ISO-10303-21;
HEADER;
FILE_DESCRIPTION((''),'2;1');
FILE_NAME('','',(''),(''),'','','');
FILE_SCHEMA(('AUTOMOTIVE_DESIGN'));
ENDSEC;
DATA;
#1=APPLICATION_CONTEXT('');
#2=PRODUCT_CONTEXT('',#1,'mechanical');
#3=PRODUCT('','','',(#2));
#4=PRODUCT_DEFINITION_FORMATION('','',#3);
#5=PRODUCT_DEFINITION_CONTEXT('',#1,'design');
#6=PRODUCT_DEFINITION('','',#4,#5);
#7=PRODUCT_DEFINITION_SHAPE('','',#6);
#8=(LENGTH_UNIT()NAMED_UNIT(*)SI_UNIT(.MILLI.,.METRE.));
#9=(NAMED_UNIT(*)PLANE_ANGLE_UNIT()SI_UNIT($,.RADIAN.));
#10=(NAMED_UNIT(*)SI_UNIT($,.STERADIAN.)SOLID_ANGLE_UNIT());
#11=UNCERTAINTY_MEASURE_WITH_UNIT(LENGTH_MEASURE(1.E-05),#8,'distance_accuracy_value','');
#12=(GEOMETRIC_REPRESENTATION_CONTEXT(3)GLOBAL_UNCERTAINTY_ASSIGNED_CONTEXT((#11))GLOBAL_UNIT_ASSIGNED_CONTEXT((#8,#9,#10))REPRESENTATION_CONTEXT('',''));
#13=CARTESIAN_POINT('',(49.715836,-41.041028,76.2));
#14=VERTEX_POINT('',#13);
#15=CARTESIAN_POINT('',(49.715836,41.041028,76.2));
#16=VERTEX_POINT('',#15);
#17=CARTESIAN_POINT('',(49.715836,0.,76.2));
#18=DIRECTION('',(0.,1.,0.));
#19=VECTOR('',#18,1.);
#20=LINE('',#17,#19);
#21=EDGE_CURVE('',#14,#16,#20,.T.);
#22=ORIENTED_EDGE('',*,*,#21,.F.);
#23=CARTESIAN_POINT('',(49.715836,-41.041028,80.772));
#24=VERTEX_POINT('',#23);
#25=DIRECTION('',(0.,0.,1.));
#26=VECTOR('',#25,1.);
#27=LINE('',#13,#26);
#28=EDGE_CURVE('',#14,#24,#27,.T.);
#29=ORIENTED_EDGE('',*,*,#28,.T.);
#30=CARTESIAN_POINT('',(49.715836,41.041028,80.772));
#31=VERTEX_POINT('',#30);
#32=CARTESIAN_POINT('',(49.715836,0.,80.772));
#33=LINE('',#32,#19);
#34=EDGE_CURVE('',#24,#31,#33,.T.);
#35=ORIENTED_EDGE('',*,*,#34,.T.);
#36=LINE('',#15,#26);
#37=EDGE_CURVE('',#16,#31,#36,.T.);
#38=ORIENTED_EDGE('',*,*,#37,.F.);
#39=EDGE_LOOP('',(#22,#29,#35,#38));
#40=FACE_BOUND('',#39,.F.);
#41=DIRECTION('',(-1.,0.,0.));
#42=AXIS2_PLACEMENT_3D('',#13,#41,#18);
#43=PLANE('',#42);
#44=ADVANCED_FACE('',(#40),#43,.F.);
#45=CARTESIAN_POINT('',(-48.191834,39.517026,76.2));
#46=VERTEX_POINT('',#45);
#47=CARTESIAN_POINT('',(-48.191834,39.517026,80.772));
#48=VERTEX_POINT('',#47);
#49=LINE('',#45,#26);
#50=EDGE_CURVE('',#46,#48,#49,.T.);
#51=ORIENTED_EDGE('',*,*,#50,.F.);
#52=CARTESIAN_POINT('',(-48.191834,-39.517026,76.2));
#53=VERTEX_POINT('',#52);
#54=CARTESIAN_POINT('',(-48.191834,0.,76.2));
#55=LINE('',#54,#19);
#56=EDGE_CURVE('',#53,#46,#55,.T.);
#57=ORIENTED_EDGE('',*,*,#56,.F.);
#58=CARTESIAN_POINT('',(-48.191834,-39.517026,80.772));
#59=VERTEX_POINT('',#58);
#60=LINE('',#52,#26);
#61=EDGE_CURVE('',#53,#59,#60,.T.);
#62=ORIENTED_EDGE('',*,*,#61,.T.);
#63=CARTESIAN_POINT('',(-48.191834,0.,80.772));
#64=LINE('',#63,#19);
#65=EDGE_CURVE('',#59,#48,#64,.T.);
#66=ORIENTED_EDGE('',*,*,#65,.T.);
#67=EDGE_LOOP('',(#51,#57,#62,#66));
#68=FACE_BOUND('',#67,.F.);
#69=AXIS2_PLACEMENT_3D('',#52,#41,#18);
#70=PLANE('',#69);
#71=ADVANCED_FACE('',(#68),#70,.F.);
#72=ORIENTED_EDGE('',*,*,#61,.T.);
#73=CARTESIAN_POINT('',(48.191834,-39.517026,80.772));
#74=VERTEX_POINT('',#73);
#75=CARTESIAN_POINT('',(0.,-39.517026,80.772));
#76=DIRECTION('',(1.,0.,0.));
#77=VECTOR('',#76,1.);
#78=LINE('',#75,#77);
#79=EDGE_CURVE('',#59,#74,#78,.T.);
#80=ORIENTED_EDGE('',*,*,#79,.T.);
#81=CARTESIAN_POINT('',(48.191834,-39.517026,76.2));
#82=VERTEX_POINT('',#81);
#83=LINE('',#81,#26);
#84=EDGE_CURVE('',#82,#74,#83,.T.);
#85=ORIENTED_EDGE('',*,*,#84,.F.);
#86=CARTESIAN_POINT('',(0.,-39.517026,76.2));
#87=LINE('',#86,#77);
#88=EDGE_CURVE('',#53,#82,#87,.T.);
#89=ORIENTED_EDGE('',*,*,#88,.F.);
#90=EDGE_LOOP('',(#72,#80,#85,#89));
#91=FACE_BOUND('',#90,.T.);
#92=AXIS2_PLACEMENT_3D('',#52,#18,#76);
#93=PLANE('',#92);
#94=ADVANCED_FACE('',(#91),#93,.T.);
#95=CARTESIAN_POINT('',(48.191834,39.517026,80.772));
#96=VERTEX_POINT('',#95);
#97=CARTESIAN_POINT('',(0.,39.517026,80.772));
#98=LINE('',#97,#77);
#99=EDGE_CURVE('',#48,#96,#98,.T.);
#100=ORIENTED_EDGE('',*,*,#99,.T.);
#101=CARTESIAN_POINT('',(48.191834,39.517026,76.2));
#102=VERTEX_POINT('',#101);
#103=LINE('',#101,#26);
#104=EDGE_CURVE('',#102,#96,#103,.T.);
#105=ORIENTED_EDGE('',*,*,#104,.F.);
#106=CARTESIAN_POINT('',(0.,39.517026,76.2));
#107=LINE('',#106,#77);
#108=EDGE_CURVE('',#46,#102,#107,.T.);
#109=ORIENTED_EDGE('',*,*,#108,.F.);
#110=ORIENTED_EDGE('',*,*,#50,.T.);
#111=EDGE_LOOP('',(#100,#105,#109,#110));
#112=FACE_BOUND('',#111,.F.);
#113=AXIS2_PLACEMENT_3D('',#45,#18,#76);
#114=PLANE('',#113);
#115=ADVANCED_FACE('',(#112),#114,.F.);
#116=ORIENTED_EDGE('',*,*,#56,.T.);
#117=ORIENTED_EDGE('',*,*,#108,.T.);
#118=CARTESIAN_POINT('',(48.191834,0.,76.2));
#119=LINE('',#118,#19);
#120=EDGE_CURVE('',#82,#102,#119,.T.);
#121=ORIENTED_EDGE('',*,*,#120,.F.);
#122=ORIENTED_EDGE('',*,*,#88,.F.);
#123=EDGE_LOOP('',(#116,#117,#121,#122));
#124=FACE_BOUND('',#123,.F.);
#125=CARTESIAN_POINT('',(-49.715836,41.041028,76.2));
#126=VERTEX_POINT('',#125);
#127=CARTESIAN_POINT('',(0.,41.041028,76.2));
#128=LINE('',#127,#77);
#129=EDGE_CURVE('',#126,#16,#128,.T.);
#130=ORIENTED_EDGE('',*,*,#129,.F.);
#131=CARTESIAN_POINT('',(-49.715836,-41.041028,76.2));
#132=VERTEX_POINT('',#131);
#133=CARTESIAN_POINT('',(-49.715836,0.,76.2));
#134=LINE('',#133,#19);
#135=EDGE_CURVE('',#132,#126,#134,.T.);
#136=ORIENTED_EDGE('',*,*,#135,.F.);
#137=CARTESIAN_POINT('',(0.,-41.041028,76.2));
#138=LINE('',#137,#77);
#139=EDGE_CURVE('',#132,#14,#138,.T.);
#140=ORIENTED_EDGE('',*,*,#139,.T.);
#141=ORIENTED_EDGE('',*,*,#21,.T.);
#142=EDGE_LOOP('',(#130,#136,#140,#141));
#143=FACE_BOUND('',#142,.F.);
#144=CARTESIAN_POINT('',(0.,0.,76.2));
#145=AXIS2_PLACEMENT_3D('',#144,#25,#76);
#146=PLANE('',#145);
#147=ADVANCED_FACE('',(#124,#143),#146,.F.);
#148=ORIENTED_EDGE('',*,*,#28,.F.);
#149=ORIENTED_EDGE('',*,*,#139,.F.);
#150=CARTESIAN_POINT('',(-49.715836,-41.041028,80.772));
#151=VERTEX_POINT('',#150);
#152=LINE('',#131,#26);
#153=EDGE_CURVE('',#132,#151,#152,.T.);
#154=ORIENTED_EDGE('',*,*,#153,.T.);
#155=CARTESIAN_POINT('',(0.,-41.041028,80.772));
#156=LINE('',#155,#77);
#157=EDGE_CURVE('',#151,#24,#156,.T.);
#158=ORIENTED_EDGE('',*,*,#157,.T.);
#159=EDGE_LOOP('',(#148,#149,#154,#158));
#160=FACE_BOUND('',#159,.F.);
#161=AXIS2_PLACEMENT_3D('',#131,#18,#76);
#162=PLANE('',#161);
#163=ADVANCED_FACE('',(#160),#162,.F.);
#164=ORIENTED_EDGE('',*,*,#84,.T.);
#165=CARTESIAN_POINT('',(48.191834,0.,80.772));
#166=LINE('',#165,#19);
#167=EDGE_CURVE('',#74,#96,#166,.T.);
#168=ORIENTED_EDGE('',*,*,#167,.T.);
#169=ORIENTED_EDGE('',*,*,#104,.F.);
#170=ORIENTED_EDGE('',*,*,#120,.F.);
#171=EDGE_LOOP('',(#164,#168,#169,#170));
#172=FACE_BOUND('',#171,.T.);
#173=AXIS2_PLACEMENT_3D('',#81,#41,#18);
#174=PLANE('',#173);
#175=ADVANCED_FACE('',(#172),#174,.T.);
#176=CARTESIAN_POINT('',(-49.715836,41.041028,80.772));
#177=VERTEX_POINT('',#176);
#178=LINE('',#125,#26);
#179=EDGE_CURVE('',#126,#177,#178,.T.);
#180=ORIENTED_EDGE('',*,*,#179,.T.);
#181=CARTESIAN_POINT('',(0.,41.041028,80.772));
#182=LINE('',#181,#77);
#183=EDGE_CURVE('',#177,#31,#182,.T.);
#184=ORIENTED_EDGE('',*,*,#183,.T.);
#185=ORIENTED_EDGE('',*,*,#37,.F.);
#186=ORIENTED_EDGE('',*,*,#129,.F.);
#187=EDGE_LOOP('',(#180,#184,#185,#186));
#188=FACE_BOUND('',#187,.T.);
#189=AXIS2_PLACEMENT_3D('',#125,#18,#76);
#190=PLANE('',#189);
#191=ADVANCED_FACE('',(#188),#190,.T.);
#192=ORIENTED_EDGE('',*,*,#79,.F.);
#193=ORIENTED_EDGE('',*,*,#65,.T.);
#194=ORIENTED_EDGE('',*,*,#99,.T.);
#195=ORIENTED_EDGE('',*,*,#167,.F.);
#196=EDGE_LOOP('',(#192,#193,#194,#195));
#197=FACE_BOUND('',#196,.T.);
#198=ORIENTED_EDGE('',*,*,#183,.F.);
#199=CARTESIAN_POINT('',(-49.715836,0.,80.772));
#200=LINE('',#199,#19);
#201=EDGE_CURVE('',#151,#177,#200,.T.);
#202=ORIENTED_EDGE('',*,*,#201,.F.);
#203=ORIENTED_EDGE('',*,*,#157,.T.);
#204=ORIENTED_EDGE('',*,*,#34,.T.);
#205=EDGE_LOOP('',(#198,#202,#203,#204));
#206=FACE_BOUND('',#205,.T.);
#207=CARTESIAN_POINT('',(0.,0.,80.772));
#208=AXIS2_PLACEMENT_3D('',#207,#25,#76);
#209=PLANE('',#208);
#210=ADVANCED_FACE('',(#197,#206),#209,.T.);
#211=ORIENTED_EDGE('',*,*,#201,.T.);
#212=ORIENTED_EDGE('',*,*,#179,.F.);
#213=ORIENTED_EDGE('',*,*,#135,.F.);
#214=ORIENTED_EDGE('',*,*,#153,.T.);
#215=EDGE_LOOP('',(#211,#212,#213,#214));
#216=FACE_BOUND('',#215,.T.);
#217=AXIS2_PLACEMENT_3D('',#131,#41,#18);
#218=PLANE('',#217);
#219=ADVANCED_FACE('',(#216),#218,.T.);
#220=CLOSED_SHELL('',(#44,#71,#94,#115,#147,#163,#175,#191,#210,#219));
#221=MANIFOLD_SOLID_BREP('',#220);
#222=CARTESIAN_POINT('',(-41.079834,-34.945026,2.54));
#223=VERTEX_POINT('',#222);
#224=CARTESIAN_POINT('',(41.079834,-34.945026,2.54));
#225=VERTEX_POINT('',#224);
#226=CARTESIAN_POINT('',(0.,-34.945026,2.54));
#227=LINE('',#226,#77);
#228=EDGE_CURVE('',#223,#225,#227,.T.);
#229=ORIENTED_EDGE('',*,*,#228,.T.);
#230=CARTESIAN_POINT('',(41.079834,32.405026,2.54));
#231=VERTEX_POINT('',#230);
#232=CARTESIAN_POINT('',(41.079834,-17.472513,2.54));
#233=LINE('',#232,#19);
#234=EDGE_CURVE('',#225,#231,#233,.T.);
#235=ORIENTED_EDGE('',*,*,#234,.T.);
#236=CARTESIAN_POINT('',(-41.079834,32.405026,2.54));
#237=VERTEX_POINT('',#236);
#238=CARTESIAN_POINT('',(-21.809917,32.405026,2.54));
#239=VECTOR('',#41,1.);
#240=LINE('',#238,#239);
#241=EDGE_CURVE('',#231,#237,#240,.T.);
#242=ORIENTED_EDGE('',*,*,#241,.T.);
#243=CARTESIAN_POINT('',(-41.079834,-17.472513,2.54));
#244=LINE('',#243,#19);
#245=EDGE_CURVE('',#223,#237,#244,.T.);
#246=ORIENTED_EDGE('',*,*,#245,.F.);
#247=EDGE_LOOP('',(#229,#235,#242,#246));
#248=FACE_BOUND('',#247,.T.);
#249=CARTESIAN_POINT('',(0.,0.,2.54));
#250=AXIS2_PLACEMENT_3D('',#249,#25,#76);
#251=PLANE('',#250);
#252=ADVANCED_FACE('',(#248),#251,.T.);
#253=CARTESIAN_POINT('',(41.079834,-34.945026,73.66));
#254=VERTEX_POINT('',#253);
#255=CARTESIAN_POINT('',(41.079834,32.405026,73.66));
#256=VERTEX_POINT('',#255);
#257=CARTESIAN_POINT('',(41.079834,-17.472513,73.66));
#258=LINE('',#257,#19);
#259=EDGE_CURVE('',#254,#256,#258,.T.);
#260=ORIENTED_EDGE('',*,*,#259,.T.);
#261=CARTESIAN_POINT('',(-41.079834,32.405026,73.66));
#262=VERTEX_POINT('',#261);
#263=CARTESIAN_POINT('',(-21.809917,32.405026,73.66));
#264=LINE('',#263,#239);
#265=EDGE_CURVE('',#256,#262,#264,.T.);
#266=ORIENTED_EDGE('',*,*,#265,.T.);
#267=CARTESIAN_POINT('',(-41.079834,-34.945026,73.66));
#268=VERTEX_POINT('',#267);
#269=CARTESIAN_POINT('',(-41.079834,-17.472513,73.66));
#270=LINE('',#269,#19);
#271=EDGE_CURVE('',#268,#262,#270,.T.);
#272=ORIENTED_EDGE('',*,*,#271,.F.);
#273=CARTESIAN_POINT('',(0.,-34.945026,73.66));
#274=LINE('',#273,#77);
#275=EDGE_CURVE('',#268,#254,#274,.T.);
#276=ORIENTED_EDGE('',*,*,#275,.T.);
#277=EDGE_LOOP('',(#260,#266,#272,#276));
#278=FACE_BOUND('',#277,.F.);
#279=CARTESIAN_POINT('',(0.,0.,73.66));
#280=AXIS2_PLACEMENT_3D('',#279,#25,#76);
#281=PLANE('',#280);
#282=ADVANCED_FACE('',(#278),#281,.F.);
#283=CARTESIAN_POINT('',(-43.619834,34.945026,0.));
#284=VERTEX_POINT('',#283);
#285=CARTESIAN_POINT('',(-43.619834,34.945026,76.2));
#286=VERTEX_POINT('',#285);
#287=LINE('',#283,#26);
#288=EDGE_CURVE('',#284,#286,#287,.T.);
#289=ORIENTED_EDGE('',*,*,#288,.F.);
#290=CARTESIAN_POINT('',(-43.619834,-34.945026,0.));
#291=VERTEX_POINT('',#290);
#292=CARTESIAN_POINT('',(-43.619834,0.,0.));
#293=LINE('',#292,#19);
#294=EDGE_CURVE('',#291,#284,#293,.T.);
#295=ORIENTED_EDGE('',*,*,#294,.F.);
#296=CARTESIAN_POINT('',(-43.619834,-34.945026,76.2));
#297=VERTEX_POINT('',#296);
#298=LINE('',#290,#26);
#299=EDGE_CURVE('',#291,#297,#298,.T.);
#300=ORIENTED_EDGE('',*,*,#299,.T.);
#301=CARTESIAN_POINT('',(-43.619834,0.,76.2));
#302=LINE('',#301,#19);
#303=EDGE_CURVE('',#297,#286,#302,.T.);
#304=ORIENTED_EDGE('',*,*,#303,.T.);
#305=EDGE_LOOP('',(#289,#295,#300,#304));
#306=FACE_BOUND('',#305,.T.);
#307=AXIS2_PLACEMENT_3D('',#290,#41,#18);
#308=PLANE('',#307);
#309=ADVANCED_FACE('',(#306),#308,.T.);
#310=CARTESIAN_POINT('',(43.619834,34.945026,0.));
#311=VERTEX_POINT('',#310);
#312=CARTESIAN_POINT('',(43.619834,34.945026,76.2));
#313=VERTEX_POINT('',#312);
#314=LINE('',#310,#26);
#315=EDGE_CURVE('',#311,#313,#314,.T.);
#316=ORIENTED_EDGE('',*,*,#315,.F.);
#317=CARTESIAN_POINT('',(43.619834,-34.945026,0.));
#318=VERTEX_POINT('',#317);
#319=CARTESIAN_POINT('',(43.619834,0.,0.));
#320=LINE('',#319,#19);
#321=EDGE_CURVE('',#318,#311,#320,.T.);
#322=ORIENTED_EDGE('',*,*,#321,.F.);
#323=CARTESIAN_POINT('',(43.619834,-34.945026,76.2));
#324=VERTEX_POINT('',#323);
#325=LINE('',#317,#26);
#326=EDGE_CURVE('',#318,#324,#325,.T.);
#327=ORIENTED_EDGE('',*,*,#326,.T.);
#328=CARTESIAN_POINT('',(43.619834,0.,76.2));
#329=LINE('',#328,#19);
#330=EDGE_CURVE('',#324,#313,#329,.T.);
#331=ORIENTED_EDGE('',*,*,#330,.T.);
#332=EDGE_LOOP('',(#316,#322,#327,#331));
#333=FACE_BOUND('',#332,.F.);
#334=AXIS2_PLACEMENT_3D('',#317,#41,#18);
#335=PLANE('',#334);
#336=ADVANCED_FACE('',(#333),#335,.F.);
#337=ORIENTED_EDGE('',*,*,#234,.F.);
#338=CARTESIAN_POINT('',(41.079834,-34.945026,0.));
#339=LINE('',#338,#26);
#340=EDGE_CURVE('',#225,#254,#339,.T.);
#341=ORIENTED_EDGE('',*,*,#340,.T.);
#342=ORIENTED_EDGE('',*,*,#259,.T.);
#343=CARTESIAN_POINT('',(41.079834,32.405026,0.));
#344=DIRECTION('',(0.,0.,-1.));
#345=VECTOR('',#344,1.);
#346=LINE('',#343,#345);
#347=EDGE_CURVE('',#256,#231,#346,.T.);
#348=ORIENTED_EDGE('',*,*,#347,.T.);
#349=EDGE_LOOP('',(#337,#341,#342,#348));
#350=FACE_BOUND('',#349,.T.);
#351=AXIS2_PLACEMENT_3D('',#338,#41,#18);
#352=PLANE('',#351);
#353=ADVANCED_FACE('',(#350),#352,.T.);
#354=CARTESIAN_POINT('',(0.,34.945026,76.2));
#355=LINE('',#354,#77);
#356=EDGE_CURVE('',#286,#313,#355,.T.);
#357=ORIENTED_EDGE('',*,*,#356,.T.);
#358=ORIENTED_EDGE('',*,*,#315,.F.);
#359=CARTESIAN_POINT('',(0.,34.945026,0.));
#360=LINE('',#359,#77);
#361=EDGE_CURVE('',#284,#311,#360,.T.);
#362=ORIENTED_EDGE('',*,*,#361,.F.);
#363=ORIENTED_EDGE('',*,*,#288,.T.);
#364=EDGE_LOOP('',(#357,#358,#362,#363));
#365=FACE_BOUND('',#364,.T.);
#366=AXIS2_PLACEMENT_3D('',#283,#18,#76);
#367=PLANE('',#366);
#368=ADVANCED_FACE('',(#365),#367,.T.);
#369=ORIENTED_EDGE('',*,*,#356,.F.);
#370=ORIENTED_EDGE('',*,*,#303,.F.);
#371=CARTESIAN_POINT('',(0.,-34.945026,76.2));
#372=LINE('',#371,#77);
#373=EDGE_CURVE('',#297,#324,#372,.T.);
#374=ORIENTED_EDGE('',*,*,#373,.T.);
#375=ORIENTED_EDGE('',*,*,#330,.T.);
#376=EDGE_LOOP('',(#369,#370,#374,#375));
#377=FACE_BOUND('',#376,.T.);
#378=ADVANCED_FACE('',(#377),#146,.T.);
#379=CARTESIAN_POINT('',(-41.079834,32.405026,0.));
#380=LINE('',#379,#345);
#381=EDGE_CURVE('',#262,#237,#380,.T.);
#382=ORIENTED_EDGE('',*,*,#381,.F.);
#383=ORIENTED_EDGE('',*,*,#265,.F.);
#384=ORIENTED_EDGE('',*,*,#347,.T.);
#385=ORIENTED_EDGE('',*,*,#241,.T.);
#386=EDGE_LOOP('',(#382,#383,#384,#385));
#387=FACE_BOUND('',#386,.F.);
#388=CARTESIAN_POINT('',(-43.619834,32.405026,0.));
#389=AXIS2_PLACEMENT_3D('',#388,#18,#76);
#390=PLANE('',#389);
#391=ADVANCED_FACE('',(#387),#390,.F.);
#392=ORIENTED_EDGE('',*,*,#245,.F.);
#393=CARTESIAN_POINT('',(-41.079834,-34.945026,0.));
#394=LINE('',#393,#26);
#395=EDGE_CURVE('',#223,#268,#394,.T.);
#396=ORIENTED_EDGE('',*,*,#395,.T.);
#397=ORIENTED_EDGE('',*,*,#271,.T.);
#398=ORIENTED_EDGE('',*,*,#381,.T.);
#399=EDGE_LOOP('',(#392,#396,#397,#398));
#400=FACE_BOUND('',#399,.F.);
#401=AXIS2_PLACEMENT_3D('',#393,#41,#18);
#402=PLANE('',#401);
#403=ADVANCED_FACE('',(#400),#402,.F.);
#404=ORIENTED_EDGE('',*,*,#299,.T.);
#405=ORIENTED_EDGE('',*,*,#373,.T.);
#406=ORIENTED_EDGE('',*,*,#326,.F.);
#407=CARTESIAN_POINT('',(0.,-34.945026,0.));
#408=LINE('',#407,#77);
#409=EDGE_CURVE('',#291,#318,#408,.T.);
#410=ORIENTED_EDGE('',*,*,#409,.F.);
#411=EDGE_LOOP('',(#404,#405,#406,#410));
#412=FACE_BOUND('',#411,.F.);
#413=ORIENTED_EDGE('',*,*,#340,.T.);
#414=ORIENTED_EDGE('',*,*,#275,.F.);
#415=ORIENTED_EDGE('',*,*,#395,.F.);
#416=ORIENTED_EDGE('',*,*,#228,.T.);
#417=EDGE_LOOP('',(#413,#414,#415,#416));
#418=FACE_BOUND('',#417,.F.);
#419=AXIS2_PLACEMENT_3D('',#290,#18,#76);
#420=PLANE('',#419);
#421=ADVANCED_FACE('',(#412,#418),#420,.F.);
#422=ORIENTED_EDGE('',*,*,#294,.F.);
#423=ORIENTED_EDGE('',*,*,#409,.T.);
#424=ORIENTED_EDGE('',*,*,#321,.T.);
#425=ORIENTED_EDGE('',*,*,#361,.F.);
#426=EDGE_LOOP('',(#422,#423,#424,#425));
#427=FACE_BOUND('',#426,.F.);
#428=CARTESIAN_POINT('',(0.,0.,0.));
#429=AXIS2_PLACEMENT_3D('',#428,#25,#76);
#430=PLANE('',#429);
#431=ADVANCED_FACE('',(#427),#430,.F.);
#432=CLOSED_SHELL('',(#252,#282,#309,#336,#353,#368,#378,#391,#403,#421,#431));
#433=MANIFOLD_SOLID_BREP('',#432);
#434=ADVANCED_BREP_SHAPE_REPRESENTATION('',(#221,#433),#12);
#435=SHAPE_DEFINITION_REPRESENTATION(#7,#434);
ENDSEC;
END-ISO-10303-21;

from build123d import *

# Parameters (mm, degrees)
F0_W     = 87.239668
F0_H     = 69.890052
F1_DEPTH = 76.2
F2_T     = -2.54
F3_W     = 99.431672
F3_H     = 82.082056
F3_W_2   = 96.383668
F3_H_2   = 79.034052
F4_DEPTH = 4.572


with BuildPart() as f1:
    # F0 (on Top) → F1 (new body)
    with BuildSketch(Plane.XY):
        Rectangle(F0_W, F0_H)
    extrude(amount=F1_DEPTH)

    # F2
    f2_openings = [f1.faces().sort_by_distance(p)[0] for p in [
        (0, -34.945026, 38.1),
    ]]
    offset(amount=F2_T, openings=f2_openings)


with BuildPart() as f4:
    # F3 (on face) → F4 (new body)
    with BuildSketch(Plane.XY.offset(76.2)):
        Rectangle(F3_W, F3_H)
        Rectangle(F3_W_2, F3_H_2, mode=Mode.SUBTRACT)
    extrude(amount=F4_DEPTH)


solid = Compound([f1.part, f4.part])
